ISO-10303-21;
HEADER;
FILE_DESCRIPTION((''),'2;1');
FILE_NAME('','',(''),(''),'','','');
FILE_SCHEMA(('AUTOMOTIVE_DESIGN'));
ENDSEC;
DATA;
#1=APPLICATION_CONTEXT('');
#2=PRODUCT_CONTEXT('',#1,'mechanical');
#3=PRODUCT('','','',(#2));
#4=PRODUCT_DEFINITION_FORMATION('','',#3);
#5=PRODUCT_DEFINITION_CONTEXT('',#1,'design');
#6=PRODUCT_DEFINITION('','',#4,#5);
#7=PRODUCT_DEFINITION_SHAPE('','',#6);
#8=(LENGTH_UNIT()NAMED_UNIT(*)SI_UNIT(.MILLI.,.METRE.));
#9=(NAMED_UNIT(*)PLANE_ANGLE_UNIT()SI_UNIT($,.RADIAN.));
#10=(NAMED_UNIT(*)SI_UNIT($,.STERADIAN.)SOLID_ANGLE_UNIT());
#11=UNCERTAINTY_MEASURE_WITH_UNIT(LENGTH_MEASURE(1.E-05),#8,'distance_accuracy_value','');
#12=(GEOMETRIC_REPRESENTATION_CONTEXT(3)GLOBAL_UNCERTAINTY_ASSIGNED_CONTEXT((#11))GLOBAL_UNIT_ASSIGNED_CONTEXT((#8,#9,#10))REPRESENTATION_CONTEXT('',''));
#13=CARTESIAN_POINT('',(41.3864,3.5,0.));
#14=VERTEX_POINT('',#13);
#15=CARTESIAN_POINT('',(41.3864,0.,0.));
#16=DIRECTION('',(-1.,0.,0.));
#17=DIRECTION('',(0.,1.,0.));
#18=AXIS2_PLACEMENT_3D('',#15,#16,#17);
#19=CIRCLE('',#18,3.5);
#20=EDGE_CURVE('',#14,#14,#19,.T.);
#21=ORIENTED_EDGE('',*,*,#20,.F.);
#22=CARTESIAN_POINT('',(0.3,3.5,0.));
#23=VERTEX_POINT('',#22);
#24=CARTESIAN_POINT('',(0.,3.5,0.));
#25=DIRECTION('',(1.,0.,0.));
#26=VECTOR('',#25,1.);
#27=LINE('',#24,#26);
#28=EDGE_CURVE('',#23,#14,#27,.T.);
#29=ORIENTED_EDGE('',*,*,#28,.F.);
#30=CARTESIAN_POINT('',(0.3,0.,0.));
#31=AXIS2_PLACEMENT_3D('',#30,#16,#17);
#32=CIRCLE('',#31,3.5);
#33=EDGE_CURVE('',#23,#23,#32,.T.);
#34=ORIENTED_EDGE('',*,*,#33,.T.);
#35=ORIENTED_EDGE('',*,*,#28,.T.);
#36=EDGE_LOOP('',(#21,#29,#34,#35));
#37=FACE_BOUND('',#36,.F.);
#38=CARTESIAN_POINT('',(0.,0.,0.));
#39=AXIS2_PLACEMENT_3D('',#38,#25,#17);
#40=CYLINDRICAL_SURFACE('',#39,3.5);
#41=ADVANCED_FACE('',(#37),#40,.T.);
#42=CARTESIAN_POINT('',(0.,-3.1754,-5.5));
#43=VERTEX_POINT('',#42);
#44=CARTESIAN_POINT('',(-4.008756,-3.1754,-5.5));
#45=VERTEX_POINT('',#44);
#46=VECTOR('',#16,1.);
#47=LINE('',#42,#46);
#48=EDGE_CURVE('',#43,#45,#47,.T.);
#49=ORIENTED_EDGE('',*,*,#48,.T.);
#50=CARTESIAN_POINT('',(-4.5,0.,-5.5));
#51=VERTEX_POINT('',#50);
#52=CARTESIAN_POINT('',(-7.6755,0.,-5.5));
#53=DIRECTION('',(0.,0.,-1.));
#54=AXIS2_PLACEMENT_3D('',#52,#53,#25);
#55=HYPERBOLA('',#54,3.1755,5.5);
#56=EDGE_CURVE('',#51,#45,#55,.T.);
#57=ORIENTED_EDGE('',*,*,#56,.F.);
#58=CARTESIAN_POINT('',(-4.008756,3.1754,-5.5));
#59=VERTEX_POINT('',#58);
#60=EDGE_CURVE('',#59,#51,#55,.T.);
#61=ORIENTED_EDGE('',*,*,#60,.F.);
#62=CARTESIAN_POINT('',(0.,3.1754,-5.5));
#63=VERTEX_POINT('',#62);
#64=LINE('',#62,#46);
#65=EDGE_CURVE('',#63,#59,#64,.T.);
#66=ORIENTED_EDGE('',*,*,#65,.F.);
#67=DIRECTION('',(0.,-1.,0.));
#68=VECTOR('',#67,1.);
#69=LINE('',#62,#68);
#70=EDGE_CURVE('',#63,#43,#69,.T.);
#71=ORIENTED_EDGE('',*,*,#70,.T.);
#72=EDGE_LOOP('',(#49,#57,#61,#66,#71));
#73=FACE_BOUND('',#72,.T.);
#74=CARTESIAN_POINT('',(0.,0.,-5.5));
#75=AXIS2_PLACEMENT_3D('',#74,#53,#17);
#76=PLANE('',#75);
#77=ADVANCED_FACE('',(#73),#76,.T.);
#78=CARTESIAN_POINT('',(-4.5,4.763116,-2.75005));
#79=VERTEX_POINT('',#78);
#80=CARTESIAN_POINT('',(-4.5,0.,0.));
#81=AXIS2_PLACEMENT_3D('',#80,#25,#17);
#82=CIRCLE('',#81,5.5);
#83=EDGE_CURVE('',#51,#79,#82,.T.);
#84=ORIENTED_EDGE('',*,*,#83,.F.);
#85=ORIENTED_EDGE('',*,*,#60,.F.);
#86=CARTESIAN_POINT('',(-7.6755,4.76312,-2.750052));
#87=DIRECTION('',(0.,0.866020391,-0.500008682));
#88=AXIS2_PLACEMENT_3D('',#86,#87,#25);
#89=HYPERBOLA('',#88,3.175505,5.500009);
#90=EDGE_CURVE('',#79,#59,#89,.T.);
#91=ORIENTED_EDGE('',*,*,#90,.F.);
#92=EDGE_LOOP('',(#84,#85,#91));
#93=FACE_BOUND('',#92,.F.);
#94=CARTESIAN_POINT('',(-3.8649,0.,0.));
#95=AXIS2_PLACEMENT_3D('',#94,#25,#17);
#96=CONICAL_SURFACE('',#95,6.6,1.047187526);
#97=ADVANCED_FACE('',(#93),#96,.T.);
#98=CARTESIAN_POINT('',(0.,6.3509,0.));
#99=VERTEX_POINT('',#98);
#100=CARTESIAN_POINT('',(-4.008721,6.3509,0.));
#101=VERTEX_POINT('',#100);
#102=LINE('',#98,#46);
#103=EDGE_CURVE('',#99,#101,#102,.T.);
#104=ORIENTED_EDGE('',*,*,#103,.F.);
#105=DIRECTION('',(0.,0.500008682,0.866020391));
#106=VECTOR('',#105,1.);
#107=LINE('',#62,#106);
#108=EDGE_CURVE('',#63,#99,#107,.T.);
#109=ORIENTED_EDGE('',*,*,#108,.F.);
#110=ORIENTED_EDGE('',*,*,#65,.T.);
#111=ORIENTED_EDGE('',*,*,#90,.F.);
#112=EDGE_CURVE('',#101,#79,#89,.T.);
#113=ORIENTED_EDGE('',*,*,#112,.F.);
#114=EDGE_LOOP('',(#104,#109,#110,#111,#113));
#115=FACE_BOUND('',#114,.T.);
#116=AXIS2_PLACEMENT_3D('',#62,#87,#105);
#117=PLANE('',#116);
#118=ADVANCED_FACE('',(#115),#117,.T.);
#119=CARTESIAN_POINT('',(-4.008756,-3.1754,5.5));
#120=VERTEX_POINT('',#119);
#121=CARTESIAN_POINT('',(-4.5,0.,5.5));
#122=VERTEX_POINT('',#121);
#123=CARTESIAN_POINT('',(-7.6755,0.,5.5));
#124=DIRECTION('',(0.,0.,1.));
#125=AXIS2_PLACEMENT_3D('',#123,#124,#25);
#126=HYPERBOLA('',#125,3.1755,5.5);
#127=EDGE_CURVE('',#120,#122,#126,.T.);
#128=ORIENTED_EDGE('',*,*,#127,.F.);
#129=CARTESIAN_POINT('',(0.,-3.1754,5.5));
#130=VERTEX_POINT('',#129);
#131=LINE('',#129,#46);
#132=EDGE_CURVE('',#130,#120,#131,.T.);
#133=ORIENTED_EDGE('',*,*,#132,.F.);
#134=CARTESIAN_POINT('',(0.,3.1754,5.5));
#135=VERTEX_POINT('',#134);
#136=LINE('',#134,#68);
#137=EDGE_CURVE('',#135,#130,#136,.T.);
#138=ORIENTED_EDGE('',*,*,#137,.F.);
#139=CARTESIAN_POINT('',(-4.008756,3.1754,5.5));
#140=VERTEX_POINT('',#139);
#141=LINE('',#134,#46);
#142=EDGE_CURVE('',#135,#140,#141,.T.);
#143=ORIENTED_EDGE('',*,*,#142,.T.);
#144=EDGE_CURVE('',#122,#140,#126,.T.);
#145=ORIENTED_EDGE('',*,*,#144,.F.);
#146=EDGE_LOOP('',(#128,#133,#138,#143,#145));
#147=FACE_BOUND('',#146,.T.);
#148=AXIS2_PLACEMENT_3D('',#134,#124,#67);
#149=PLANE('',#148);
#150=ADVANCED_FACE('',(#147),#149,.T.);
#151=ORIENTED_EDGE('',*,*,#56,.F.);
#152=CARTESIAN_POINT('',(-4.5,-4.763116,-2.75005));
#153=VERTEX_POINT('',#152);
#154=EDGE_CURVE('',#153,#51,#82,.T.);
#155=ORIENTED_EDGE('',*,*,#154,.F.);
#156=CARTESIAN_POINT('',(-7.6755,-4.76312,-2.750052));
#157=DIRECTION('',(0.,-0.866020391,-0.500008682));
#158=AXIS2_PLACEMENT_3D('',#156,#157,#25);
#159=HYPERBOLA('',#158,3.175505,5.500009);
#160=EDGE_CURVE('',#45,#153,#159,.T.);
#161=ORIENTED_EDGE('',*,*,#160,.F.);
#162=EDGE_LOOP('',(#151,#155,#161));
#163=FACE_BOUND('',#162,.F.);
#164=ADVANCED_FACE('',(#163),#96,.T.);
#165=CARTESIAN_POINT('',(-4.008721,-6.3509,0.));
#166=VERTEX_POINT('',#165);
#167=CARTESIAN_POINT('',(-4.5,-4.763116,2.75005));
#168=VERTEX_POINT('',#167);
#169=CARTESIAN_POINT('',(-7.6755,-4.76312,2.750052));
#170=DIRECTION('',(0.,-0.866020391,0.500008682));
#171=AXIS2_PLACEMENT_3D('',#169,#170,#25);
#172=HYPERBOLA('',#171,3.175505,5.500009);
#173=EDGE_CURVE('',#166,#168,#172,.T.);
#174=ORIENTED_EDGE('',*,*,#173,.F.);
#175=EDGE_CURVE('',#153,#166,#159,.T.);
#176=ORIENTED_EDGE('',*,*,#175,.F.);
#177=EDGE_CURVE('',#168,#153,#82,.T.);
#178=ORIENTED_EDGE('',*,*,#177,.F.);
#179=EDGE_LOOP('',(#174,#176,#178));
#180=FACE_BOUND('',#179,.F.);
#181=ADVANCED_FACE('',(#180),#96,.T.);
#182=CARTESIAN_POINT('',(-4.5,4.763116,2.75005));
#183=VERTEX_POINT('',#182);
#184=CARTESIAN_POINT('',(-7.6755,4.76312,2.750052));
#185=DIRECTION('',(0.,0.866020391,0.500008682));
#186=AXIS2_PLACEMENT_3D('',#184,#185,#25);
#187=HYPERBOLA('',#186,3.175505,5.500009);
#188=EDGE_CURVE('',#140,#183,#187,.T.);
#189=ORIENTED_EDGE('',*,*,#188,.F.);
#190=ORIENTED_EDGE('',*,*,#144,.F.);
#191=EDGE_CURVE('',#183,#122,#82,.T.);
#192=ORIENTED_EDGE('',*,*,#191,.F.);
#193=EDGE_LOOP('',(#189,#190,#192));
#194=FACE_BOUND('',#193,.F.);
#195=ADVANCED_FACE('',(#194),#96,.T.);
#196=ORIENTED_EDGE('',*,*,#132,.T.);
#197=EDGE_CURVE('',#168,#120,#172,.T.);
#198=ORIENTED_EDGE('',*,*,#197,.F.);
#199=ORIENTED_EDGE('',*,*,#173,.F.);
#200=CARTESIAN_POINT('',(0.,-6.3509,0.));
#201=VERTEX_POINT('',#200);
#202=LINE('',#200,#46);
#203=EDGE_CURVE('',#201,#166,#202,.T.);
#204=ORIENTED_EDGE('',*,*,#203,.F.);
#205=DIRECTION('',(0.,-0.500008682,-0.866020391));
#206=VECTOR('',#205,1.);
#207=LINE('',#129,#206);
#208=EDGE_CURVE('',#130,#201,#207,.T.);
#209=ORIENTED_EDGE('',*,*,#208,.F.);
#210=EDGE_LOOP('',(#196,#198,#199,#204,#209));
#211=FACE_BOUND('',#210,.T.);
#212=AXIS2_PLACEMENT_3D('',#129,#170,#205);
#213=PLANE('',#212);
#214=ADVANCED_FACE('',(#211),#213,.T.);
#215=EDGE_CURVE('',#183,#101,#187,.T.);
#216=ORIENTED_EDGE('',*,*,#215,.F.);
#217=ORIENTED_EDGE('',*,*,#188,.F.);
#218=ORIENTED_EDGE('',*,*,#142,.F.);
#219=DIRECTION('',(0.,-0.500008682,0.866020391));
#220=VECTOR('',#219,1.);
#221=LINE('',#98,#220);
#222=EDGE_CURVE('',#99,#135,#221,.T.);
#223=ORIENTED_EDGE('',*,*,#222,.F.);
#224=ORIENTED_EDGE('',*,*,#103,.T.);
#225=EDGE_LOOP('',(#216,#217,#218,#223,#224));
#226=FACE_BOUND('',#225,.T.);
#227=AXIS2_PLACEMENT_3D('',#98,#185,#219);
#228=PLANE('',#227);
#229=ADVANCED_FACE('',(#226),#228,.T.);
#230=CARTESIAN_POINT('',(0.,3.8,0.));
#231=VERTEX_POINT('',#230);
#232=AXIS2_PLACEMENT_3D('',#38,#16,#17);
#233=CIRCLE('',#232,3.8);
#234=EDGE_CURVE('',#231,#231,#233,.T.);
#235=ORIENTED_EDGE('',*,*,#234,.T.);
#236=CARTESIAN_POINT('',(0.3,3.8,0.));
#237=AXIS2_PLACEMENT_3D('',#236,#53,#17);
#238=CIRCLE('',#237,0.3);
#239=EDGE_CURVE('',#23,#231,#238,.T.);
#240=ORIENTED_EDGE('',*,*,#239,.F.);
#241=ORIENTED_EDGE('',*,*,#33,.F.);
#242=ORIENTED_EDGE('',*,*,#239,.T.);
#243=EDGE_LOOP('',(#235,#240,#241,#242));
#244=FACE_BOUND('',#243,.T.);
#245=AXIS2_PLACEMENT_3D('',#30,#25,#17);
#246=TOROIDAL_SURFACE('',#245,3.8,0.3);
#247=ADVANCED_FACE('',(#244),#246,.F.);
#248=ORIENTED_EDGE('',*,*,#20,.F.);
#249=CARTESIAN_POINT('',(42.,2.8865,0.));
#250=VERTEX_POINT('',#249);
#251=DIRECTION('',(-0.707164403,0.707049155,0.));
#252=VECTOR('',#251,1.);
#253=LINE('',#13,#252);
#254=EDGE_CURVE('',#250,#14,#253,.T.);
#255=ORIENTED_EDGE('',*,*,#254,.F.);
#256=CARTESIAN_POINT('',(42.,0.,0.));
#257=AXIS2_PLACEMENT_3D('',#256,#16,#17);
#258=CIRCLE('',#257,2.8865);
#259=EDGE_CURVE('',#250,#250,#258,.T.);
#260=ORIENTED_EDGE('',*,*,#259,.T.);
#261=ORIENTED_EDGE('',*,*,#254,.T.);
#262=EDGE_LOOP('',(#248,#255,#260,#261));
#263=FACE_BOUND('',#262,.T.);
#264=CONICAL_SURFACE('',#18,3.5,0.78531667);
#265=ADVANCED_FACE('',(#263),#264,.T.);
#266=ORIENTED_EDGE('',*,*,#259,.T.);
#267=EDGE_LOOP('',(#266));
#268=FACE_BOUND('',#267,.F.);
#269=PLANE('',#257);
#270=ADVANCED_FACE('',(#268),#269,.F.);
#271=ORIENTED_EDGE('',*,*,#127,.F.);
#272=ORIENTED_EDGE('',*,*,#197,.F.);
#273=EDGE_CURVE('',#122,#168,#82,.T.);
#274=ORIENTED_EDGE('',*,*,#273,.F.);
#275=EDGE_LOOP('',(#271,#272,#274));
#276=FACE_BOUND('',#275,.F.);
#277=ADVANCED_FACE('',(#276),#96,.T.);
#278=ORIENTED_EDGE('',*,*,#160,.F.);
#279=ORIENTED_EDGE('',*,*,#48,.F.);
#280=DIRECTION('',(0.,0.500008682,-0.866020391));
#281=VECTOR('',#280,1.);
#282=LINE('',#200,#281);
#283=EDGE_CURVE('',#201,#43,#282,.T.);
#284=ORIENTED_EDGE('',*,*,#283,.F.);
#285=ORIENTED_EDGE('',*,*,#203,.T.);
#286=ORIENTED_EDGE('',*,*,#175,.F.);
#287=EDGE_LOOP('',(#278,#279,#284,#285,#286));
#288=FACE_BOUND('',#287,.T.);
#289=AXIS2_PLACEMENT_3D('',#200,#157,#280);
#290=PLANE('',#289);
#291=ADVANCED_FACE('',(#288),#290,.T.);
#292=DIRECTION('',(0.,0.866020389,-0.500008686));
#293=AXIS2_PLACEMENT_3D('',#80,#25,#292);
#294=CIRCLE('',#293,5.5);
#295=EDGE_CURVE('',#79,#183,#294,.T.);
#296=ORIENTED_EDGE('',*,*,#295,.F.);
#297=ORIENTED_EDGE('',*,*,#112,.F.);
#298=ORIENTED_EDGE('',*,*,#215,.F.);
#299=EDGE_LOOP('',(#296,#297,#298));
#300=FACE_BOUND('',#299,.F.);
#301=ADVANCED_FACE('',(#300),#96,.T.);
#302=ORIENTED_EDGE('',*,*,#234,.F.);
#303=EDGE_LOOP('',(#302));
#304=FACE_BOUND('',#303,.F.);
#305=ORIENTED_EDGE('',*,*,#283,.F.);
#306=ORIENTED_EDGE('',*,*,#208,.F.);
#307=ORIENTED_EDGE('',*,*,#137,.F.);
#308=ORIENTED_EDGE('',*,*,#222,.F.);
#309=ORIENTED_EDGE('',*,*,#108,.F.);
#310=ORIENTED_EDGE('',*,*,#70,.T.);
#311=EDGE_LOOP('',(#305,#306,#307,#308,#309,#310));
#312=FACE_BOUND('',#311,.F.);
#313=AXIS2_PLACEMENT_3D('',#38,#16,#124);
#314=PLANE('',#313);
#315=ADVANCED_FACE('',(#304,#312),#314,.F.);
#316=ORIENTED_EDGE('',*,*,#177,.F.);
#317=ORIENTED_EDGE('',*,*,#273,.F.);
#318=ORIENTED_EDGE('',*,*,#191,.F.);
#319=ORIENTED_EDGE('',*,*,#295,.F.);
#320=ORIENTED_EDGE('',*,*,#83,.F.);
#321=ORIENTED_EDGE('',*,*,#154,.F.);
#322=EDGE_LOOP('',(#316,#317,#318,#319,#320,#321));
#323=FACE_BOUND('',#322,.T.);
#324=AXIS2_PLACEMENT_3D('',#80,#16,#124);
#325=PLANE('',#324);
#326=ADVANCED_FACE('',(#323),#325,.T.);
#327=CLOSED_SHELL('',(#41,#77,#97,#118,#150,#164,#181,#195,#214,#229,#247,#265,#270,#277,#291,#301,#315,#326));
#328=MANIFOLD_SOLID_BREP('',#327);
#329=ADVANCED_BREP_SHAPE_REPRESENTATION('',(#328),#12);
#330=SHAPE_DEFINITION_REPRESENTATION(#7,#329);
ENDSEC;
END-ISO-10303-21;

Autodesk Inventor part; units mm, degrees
ref_plane "YZ Plane" through (0, 0, 0) normal (1, 0, 0) x (0, 1, 0)
ref_plane "XZ Plane" through (0, 0, 0) normal (0, 1, 0) x (-1, 0, 0)
sketch "Sketch1" plane through (0, 0, 0) normal (0, 0, 1) x (1, 0, 0)
  line L0 (0, 3.5) -> (42, 3.5)
  line L1 (42, 3.5) -> (42, 0)
  line L2 (42, 0) -> (0, 0)
  line L3 (-8.4, 0) -> (50.4, 0) projected
  line L4 (0, -0.7) -> (0, 4.2) projected
  line L5 (0, 3.5) -> (0, 0)
  dimension "d2" = 7
  dimension "d59" = 42
revolve "Body" add sketch "Sketch1" angle 360 about axis through (42, 0, 0) along (-1, 0, 0)
sketch "Sketch2" plane through (0, 0, 0) normal (-1, 0, 0) x (0, 0, 1)
  line L0 (0, 6.3509) -> (5.5, 3.1754)
  line L1 (5.5, 3.1754) -> (5.5, -3.1754)
  line L2 (5.5, -3.1754) -> (0, -6.3509)
  line L3 (0, -6.3509) -> (-5.5, -3.1754)
  line L4 (-5.5, -3.1754) -> (-5.5, 3.1754)
  line L5 (-5.5, 3.1754) -> (0, 6.3509)
  line L6 (-7.7, 0) -> (7.7, 0) projected
  line L7 (0, 8.8912) -> (0, -8.8912) projected
  point P0 (0, 0)
  point P1 (0, 0)
  dimension "d11" = 11
extrude "Head" add sketch "Sketch2" along normal blind 4.5
sketch "Sketch4" plane through (0, 0, 0) normal (0, 0, 1) x (1, 0, 0)
  line L0 (-3.8649, 6.6) -> (-4.5, 5.5)
  line L1 (-1.1, 0) -> (-0.234, 0)
  line L2 (-5.3532, 0) -> (0.6192, 0) projected
  line L3 (-4.5, 6.6) -> (-3.8649, 6.6)
  line L4 (-4.5, 5.5) -> (-4.5, 6.6)
  line L5 (0, 7.92) -> (0, -1.32) projected
  dimension "d65" = 11
  dimension "d67" = 30
  dimension "d68" = 13.2
  dimension "d69" = 4.5
revolve "Chamfer1" cut sketch "Sketch4" angle 360 about axis through (-1.1, 0, 0) along (1, 0, 0)
thread "Thread" size "M7x1" class "6g" standard "ISO Metric profile" length 13
chamfer "Chamfer2" distance 0.6135 distance2 0.6136 1 edges at (42, -3.5, 0) measured on face at (42, -1.0838, 0.9601)
fillet "Fillet2" radius 0.3 1 edges at (0, -3.5, 0)
ref_plane "Work Plane1" through (1.525, 0, 0) normal (0, 0, 1) x (1, 0, 0)
equation "\"d2\" = GD"
equation "\"d59\" = NLG"
equation "\"d11\" = SW"
equation "\"d3\" = KOH"
equation "\"d71\" = RR"
equation "\"d15\" = GEL"
equation "\"d6\" = -0.5 * SPD + 0.5 * GD"
equation "\"d65\" = SW"
equation "\"d67\" = ANG1"
equation "\"d68\" = 1.2 * SW"
equation "\"d69\" = KOH"
equation "\"NLG\" = 42"
equation "\"GD\" = NND"
equation "\"BDM\" = NND"
equation "\"KOH\" = 4.5"
equation "\"GEL\" = 13"
equation "\"SW\" = 11"
equation "\"SW0\" = 11"
equation "\"SPD\" = NND - 1.2269 * PTC"
equation "\"SD2\" = NND"
equation "\"SD\" = 0"
equation "\"ANG1\" = 30deg"
equation "\"GAL\" = 0.61345 * PTC"
equation "\"GUL\" = 0.61345 * PTC"
equation "\"RR\" = 0.3"
equation "\"RR1\" = 0.1"
equation "\"GD1\" = THREADDIA - 1.2269 * PTC"
equation "\"THREADDIA\" = 7"
equation "\"TOA\" = 30deg"
equation "\"FAWI\" = 60deg"
equation "\"PTC\" = 1"
equation "\"NND\" = 7"
equation "\"E0\" = 1.155 * SW"
properties part number "CSN 02 1201 - M7 x 42" material "Steel, Mild"
